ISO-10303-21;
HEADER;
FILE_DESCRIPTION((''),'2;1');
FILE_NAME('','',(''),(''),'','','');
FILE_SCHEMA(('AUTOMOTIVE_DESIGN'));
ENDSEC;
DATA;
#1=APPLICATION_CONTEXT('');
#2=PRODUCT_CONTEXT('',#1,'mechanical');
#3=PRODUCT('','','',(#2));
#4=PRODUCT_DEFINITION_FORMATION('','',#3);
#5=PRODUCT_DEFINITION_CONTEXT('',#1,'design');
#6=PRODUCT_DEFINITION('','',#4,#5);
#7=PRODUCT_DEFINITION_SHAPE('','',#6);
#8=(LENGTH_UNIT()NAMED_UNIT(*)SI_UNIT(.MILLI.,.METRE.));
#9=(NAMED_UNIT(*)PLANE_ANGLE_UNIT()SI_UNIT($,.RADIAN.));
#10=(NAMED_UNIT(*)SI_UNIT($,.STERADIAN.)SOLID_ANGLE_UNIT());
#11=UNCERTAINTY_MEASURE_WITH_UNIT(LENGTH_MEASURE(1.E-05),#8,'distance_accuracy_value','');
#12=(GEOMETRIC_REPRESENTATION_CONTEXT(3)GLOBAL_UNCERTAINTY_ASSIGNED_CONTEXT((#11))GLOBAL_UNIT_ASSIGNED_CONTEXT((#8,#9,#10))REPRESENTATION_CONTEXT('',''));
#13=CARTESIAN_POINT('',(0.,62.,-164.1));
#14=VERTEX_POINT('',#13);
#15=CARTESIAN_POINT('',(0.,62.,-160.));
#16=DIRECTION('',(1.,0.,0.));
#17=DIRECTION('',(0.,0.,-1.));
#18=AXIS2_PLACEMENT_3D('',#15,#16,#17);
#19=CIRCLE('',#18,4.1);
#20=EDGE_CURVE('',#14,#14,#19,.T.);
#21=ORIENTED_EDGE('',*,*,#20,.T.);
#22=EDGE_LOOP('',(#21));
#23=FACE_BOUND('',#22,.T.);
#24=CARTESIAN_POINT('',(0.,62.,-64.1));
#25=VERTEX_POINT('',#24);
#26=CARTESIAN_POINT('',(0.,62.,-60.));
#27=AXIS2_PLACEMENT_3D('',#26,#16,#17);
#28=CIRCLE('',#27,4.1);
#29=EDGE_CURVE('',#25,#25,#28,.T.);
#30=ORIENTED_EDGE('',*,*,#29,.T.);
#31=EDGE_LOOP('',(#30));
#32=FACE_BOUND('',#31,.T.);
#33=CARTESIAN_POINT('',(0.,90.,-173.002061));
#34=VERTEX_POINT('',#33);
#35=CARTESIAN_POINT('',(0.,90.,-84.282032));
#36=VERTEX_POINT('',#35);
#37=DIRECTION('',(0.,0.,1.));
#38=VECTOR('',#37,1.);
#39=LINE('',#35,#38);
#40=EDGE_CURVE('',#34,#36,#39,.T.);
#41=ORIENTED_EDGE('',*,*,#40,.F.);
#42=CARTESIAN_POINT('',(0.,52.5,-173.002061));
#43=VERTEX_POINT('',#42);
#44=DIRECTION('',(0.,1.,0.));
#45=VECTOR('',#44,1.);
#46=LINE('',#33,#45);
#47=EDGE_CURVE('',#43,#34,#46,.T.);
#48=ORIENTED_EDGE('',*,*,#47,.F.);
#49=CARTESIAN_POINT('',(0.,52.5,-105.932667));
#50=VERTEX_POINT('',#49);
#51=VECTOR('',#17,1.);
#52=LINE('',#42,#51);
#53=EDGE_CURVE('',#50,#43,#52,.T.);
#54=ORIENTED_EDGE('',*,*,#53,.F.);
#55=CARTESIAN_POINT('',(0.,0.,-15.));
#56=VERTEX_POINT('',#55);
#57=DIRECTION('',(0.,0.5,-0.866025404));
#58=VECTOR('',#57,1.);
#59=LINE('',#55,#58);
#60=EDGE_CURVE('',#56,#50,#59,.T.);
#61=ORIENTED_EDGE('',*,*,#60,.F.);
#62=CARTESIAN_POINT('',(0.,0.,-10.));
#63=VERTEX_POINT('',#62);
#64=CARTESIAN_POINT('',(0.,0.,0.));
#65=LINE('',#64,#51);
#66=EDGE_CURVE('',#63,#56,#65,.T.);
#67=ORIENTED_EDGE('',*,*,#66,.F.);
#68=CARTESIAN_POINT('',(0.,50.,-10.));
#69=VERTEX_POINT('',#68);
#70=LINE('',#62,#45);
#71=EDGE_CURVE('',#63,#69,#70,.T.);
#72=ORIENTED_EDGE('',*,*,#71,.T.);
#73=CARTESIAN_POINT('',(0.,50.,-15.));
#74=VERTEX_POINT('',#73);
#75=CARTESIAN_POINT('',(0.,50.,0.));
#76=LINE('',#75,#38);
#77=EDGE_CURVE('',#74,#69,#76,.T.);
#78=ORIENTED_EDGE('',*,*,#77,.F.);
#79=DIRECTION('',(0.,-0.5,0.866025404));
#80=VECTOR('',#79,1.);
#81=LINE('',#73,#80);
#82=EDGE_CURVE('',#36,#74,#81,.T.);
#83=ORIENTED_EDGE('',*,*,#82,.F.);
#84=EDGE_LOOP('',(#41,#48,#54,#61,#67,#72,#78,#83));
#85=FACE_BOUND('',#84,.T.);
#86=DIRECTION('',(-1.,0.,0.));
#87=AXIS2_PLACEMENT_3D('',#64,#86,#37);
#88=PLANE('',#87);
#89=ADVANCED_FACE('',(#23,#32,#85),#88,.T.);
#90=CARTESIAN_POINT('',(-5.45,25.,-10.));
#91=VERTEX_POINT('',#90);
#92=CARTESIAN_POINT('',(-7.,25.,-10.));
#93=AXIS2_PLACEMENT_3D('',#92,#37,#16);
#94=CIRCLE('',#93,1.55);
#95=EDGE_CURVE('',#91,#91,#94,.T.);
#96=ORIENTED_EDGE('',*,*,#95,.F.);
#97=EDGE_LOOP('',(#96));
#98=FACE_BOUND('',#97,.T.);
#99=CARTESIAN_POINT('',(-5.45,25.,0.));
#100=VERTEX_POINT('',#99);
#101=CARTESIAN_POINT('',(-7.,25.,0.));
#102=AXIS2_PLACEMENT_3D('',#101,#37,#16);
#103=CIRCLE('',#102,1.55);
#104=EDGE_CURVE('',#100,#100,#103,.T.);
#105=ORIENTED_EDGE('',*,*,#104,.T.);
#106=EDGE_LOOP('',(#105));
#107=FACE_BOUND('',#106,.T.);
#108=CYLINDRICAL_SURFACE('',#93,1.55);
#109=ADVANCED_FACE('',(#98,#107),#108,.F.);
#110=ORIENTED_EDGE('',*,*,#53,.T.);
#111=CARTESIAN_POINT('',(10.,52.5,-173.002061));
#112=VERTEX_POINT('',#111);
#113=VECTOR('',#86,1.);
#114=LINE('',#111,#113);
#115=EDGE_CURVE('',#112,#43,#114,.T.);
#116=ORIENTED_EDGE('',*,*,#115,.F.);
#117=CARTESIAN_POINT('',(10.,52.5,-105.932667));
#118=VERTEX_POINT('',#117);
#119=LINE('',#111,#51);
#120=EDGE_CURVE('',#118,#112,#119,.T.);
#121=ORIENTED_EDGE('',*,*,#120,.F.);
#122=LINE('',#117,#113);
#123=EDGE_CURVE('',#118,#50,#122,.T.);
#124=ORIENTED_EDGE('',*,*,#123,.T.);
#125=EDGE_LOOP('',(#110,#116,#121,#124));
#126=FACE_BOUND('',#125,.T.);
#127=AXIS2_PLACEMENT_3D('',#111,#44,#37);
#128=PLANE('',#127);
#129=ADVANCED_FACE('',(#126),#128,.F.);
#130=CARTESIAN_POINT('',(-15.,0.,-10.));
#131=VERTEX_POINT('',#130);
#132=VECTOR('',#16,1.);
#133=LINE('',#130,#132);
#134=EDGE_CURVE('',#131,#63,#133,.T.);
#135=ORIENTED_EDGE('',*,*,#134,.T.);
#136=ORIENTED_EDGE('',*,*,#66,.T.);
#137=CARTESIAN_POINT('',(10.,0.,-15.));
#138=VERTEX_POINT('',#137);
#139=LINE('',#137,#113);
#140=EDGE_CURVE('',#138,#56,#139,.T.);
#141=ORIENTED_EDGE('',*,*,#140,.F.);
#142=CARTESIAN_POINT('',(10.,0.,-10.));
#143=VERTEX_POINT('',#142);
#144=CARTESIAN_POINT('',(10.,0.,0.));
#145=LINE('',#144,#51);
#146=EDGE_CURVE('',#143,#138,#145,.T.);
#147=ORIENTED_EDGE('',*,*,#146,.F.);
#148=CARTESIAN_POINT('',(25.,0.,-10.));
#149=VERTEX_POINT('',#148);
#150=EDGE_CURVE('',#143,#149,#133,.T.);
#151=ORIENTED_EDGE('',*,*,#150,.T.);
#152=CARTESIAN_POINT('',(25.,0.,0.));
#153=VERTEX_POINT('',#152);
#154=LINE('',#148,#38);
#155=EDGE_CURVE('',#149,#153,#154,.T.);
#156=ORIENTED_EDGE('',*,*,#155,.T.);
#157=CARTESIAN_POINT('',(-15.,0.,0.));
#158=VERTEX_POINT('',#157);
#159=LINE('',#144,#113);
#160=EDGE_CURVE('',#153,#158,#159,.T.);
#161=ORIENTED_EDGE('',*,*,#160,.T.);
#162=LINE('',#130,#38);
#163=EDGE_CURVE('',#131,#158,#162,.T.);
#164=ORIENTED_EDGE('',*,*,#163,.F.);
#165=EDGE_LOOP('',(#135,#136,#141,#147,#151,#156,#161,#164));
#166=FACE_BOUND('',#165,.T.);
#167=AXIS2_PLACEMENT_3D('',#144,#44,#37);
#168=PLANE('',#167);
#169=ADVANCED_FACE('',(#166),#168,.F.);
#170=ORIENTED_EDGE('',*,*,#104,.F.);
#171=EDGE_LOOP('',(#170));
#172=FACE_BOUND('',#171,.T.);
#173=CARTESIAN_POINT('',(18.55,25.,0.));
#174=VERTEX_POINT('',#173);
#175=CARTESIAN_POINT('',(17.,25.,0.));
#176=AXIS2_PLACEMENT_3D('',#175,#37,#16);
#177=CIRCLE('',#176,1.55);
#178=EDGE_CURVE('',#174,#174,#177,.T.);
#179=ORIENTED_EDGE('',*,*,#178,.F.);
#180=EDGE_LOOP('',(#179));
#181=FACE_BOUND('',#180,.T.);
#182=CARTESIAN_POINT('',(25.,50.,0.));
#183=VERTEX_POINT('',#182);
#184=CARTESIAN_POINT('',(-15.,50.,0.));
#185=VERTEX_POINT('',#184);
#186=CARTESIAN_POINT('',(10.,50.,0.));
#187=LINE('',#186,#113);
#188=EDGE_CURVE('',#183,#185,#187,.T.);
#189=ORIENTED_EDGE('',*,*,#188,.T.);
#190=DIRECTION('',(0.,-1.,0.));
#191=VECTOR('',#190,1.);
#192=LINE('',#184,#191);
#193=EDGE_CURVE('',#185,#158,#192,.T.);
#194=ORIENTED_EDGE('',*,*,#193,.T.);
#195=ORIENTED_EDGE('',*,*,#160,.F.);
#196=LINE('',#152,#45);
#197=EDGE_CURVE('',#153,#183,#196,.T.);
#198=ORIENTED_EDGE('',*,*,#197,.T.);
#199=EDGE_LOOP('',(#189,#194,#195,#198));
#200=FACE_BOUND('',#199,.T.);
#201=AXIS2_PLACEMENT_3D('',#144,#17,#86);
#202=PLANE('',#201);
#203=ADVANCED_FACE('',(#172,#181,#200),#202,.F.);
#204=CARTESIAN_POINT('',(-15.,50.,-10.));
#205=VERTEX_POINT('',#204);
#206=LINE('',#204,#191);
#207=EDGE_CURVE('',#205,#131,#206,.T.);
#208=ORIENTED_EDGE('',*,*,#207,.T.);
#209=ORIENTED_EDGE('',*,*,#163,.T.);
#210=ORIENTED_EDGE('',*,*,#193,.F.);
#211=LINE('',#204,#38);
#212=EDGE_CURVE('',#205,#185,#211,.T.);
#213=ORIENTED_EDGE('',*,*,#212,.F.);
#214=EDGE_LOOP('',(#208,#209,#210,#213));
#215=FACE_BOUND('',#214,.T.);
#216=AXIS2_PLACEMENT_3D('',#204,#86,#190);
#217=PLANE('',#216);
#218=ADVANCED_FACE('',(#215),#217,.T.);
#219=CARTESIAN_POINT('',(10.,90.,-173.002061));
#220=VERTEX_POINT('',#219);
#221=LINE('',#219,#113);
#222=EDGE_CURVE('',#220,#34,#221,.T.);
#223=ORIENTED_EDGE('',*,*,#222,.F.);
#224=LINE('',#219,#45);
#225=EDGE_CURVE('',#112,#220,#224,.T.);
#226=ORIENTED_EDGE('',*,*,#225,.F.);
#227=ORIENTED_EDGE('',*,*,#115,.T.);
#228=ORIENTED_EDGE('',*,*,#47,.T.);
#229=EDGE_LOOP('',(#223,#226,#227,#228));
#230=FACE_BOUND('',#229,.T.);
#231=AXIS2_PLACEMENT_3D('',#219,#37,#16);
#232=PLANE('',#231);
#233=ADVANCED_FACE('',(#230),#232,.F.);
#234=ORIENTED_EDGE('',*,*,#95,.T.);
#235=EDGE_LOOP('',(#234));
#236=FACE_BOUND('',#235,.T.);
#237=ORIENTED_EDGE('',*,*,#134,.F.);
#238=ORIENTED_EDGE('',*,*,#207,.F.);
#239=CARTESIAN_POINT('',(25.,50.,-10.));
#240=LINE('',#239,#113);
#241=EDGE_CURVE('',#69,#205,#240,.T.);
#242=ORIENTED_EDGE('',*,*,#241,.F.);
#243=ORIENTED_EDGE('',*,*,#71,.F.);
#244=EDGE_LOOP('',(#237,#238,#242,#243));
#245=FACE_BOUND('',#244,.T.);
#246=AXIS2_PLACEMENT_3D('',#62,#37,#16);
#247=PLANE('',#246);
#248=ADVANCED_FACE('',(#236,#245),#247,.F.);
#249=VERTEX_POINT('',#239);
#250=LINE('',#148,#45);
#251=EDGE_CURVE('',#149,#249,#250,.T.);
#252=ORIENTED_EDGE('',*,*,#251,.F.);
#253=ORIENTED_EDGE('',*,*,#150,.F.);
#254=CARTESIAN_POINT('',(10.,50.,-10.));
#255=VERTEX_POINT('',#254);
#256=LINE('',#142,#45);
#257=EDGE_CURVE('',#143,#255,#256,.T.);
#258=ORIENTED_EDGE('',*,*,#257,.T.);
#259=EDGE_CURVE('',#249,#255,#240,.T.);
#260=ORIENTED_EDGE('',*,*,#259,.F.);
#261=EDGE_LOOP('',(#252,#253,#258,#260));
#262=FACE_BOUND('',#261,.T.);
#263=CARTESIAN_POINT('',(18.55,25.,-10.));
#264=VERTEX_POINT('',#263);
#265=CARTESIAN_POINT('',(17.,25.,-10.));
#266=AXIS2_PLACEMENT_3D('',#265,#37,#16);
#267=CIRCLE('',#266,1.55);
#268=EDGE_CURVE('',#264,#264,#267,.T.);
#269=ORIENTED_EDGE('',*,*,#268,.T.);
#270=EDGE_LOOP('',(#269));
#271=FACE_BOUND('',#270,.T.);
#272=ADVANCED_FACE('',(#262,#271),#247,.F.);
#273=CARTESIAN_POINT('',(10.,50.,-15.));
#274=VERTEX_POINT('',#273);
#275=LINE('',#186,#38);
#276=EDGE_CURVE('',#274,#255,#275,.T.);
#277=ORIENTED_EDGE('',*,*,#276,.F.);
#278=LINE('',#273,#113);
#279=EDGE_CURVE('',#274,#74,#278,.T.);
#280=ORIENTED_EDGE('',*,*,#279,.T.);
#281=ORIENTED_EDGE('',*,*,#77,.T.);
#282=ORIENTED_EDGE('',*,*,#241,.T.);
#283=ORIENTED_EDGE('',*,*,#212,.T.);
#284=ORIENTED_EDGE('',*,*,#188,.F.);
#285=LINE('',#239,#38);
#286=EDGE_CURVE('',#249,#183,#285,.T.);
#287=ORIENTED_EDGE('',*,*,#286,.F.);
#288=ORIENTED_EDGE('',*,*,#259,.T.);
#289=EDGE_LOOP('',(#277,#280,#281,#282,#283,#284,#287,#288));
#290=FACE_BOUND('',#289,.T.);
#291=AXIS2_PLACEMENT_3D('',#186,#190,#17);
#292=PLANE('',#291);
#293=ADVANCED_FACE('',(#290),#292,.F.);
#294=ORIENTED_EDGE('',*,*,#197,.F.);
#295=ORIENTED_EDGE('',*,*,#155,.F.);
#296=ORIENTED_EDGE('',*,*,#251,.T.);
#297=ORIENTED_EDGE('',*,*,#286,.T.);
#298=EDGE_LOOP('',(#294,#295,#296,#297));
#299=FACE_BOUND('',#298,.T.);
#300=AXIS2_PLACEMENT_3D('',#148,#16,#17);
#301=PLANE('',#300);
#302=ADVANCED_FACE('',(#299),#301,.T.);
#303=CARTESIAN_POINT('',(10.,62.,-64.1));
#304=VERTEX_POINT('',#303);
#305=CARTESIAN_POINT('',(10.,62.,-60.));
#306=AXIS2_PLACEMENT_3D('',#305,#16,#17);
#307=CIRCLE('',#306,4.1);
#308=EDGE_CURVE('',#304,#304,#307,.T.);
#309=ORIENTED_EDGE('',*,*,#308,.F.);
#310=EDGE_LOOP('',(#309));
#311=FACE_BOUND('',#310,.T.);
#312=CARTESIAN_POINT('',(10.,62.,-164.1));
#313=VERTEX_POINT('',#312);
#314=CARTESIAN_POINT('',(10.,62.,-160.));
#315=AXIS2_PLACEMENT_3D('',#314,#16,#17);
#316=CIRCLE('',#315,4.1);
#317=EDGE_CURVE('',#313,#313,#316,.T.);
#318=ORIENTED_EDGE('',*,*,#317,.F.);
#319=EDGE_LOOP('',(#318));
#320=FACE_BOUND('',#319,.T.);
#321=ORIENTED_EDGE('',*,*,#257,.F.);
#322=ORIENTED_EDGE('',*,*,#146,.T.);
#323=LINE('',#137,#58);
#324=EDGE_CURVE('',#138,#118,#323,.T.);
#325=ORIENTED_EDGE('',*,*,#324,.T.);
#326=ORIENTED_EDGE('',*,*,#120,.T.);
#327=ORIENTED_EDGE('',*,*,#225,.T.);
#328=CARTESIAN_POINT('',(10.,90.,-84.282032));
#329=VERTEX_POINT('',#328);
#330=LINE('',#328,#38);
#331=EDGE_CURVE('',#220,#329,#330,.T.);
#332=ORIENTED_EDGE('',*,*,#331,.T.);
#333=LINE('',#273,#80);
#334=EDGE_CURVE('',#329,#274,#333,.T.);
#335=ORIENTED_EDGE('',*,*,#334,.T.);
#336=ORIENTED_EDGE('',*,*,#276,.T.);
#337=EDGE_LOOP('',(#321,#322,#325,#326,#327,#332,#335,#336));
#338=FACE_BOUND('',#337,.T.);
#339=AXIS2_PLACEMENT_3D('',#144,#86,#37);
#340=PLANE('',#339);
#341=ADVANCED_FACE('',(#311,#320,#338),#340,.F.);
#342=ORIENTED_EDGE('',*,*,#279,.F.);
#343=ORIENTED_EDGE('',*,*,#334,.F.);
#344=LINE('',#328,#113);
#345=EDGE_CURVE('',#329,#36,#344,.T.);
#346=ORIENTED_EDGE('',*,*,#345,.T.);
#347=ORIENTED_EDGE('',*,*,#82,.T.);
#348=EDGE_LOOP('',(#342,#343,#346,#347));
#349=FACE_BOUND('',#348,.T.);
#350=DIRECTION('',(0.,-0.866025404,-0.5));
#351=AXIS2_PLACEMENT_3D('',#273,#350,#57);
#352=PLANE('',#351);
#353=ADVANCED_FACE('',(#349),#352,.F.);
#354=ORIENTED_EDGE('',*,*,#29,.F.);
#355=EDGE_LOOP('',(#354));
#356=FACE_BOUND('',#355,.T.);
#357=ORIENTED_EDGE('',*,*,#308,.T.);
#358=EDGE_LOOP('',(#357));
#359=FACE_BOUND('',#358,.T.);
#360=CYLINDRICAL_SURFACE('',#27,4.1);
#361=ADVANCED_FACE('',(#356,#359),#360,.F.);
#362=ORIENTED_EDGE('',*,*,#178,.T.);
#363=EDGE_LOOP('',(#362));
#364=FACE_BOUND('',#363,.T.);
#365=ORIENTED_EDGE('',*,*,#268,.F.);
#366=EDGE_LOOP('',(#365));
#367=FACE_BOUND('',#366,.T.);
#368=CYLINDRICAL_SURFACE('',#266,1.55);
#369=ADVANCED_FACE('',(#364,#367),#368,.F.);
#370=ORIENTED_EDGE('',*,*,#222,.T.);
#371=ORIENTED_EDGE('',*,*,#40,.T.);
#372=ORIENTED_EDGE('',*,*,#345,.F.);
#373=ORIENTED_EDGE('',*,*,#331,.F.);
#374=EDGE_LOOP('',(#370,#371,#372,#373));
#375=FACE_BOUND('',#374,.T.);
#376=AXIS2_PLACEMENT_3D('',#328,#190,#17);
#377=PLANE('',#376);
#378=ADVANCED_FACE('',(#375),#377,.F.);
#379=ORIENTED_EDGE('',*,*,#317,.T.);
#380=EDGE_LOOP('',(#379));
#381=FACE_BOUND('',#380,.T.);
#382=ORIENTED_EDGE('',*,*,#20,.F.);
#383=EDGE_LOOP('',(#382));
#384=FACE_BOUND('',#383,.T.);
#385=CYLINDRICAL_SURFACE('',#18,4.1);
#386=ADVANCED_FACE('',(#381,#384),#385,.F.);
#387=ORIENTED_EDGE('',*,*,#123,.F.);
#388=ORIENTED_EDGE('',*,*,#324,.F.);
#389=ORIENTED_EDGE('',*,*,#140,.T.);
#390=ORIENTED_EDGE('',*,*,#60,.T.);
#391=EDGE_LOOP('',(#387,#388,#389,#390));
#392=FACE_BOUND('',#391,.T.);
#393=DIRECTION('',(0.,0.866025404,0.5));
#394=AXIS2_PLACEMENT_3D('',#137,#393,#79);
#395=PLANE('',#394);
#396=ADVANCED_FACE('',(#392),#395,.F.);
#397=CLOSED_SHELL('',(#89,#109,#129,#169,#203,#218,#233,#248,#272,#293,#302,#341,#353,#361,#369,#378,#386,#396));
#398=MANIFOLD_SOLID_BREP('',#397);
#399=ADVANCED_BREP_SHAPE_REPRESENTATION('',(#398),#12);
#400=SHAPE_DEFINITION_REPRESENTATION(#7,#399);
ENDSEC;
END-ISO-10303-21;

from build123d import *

# Parameters (mm, degrees)
SALIENTE_EXTRUIR1_DEPTH = 10
SALIENTE_EXTRUIR2_DEPTH = 10
CROQUIS3_R              = 1.55
CORTAR_EXTRUIR1_DEPTH   = 10
CROQUIS4_R              = 4.1
CORTAR_EXTRUIR2_DEPTH   = 10


with BuildPart() as part:
    # Croquis1 → Saliente-Extruir1 (new body)
    with BuildSketch(Plane(origin=(0, 0, 0), x_dir=(0, 0, -1), z_dir=(1, 0, 0))):
        Polygon((0, 0), (0, 50), (15, 50), (84.282032303, 90), (173.002060716, 90), (173.002060716, 52.5), (105.932667397, 52.5), (15, 0), align=None)
    extrude(amount=SALIENTE_EXTRUIR1_DEPTH)

    # Croquis2 → Saliente-Extruir2 (add)
    with BuildSketch(Plane.XY):
        Polygon((0, 50), (-15, 50), (-15, 0), (25, 0), (25, 50), align=None)
    extrude(amount=-SALIENTE_EXTRUIR2_DEPTH)

    # Croquis3 → Cortar-Extruir1 (cut)
    with BuildSketch(Plane.XY):
        with Locations((-7, 25)):
            Circle(CROQUIS3_R)
        with Locations((17, 25)):
            Circle(CROQUIS3_R)
    extrude(amount=-CORTAR_EXTRUIR1_DEPTH, mode=Mode.SUBTRACT)

    # Croquis4 → Cortar-Extruir2 (cut)
    with BuildSketch(Plane(origin=(10, 0, 0), x_dir=(0, 0, -1), z_dir=(1, 0, 0))):
        with Locations((60, 62)):
            Circle(CROQUIS4_R)
        with Locations((160, 62)):
            Circle(CROQUIS4_R)
    extrude(amount=-CORTAR_EXTRUIR2_DEPTH, mode=Mode.SUBTRACT)


solid = part.part
